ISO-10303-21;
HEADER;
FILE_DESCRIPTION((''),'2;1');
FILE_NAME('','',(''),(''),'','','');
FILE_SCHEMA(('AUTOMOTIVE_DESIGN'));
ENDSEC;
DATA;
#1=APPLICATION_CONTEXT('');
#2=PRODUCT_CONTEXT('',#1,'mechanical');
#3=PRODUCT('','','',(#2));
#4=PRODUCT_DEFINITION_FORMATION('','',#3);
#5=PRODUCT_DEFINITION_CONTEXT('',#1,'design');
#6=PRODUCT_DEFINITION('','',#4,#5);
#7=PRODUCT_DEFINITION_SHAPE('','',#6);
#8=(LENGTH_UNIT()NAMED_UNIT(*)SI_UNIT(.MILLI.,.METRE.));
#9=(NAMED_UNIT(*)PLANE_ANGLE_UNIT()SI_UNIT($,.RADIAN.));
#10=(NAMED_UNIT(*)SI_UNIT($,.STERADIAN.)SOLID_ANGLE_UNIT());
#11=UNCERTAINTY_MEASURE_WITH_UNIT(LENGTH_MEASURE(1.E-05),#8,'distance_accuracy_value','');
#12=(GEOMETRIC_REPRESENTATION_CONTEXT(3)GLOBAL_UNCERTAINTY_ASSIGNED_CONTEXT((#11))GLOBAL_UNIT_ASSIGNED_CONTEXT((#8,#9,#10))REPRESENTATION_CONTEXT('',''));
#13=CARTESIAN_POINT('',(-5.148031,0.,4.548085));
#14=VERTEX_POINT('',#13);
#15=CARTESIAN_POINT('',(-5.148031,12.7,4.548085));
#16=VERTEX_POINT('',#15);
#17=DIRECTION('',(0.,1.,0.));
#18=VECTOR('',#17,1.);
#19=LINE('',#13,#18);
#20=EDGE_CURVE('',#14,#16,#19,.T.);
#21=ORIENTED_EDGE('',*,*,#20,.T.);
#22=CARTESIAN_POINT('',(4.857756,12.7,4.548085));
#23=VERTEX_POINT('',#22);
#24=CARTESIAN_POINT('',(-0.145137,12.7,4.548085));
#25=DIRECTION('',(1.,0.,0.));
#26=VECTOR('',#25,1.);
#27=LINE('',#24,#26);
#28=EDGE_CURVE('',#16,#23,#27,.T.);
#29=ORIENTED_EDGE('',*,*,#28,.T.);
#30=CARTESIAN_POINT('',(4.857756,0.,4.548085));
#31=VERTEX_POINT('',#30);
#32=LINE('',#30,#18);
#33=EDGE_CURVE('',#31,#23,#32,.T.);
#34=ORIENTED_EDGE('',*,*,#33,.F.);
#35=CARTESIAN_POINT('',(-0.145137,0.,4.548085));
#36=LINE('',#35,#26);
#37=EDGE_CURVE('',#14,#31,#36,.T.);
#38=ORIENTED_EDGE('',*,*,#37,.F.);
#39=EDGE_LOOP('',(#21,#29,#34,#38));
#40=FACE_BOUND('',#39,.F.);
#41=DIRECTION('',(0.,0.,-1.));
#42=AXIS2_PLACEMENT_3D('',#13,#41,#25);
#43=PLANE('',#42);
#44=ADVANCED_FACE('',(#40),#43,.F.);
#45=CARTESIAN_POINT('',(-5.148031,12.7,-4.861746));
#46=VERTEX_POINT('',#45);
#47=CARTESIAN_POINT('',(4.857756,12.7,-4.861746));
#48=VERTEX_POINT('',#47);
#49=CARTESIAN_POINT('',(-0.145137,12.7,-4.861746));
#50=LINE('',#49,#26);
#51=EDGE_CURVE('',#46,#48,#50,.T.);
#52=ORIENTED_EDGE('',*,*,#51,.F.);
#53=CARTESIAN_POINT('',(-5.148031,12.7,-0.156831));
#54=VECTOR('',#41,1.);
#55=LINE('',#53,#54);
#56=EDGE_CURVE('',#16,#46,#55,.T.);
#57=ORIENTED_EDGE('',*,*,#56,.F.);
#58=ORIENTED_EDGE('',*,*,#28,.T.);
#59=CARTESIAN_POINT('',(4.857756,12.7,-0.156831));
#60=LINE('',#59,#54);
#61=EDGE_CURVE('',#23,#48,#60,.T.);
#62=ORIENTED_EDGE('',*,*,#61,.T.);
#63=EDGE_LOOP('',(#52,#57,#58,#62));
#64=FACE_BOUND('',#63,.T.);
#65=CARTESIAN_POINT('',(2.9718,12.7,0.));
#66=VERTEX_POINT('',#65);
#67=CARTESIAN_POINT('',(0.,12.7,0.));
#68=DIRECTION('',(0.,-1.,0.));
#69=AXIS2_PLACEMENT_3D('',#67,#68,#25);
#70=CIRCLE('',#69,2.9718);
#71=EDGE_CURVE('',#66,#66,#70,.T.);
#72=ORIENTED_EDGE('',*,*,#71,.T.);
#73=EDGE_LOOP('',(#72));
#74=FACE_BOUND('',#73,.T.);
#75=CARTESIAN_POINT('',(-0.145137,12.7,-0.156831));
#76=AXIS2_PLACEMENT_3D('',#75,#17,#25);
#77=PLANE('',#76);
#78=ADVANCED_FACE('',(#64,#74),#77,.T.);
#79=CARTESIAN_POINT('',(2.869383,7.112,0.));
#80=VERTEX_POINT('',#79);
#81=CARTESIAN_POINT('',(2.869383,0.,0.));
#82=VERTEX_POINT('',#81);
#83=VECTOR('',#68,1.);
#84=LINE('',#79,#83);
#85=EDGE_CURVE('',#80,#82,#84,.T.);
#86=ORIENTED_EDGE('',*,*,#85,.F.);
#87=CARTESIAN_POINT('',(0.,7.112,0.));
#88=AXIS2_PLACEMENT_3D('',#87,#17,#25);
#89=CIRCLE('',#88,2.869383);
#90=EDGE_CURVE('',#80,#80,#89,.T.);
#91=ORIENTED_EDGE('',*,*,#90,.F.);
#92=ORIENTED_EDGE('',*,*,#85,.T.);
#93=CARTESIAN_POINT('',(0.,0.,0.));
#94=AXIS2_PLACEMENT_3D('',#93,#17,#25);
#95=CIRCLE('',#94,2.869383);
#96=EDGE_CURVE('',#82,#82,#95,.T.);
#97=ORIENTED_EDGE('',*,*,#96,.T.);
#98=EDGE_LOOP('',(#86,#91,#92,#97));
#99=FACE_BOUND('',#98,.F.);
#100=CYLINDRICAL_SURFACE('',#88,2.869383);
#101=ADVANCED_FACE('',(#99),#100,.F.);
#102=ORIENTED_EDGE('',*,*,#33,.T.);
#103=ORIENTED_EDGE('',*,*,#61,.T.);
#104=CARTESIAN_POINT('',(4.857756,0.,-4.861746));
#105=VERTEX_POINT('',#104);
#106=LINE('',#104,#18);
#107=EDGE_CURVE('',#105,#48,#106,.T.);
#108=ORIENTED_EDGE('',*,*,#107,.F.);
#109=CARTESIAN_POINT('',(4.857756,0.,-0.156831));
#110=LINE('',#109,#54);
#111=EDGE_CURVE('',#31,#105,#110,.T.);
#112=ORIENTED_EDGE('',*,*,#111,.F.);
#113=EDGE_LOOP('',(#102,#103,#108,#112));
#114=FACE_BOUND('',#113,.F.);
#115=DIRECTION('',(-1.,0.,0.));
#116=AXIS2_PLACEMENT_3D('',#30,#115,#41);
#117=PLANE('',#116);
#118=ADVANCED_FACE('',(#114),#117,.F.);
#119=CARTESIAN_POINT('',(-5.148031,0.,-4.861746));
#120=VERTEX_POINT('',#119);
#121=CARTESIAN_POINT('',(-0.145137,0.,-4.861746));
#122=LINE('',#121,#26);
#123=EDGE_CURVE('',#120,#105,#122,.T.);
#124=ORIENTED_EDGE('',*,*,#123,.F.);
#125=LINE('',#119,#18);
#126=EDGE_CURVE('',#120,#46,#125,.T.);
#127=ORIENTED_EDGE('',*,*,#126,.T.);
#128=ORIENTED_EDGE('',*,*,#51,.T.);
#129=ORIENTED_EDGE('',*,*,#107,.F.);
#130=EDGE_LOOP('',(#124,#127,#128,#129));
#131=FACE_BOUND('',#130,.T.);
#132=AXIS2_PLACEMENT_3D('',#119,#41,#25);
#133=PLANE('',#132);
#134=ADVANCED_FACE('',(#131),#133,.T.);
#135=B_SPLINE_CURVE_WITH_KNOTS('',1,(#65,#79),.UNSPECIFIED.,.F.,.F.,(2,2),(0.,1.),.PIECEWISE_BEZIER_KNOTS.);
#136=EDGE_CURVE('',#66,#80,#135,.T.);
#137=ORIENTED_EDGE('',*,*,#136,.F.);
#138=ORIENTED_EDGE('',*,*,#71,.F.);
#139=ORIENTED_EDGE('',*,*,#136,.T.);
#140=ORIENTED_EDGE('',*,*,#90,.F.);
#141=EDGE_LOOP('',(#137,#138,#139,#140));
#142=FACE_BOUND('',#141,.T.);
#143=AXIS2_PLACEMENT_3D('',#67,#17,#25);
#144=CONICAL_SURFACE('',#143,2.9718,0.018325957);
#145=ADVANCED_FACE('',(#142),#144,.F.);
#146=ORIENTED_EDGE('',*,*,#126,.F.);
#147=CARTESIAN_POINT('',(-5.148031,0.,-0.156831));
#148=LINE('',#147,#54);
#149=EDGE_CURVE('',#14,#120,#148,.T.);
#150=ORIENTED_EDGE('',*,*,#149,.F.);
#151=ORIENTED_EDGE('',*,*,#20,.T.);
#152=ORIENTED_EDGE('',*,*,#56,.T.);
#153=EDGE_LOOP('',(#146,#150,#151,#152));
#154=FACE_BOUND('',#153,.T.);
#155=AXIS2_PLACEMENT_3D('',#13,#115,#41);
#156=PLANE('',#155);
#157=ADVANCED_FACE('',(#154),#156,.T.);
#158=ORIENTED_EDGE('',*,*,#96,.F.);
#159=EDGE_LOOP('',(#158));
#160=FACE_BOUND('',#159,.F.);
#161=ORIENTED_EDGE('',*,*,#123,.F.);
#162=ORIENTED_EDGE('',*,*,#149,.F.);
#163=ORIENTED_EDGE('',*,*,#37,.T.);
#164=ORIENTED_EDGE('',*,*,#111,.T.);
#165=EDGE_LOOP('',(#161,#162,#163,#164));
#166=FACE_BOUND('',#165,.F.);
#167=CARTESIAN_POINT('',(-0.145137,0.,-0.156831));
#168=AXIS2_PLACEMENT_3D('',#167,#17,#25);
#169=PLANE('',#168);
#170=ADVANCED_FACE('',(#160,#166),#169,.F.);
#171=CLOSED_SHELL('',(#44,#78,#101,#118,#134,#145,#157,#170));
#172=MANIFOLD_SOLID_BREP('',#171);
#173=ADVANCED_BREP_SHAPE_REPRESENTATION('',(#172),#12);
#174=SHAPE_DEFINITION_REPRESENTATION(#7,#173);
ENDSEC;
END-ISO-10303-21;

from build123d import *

# Parameters (mm, degrees)
SKETCH7_W           = 10.005786465
SKETCH7_H           = 9.409830531
BOSS_EXTRUDE2_DEPTH = 12.7
SKETCH8_R           = 2.9718
CUT_EXTRUDE1_DEPTH  = 5.588
CUT_EXTRUDE1_TAPER  = 1.05
SKETCH11_R          = 2.869383086
CUT_EXTRUDE2_DEPTH  = 8.112


with BuildPart() as part:
    # Sketch7 → Boss-Extrude2 (new body)
    with BuildSketch(Plane(origin=(0, 0, 0), x_dir=(1, 0, 0), z_dir=(0, 1, 0))):
        with Locations((-0.145137292, 0.156830508)):
            Rectangle(SKETCH7_W, SKETCH7_H)
    extrude(amount=BOSS_EXTRUDE2_DEPTH)

    # Sketch8 → Cut-Extrude1 (cut)
    with BuildSketch(Plane(origin=(0, 12.7, 0), x_dir=(1, 0, 0), z_dir=(0, 1, 0))):
        Circle(SKETCH8_R)
    extrude(amount=-CUT_EXTRUDE1_DEPTH, taper=CUT_EXTRUDE1_TAPER, mode=Mode.SUBTRACT)

    # Sketch11 → Cut-Extrude2 (cut, through all)
    with BuildSketch(Plane(origin=(0, 7.112, 0), x_dir=(1, 0, 0), z_dir=(0, 1, 0))):
        Circle(SKETCH11_R)
    extrude(amount=-CUT_EXTRUDE2_DEPTH, mode=Mode.SUBTRACT)


solid = part.part
